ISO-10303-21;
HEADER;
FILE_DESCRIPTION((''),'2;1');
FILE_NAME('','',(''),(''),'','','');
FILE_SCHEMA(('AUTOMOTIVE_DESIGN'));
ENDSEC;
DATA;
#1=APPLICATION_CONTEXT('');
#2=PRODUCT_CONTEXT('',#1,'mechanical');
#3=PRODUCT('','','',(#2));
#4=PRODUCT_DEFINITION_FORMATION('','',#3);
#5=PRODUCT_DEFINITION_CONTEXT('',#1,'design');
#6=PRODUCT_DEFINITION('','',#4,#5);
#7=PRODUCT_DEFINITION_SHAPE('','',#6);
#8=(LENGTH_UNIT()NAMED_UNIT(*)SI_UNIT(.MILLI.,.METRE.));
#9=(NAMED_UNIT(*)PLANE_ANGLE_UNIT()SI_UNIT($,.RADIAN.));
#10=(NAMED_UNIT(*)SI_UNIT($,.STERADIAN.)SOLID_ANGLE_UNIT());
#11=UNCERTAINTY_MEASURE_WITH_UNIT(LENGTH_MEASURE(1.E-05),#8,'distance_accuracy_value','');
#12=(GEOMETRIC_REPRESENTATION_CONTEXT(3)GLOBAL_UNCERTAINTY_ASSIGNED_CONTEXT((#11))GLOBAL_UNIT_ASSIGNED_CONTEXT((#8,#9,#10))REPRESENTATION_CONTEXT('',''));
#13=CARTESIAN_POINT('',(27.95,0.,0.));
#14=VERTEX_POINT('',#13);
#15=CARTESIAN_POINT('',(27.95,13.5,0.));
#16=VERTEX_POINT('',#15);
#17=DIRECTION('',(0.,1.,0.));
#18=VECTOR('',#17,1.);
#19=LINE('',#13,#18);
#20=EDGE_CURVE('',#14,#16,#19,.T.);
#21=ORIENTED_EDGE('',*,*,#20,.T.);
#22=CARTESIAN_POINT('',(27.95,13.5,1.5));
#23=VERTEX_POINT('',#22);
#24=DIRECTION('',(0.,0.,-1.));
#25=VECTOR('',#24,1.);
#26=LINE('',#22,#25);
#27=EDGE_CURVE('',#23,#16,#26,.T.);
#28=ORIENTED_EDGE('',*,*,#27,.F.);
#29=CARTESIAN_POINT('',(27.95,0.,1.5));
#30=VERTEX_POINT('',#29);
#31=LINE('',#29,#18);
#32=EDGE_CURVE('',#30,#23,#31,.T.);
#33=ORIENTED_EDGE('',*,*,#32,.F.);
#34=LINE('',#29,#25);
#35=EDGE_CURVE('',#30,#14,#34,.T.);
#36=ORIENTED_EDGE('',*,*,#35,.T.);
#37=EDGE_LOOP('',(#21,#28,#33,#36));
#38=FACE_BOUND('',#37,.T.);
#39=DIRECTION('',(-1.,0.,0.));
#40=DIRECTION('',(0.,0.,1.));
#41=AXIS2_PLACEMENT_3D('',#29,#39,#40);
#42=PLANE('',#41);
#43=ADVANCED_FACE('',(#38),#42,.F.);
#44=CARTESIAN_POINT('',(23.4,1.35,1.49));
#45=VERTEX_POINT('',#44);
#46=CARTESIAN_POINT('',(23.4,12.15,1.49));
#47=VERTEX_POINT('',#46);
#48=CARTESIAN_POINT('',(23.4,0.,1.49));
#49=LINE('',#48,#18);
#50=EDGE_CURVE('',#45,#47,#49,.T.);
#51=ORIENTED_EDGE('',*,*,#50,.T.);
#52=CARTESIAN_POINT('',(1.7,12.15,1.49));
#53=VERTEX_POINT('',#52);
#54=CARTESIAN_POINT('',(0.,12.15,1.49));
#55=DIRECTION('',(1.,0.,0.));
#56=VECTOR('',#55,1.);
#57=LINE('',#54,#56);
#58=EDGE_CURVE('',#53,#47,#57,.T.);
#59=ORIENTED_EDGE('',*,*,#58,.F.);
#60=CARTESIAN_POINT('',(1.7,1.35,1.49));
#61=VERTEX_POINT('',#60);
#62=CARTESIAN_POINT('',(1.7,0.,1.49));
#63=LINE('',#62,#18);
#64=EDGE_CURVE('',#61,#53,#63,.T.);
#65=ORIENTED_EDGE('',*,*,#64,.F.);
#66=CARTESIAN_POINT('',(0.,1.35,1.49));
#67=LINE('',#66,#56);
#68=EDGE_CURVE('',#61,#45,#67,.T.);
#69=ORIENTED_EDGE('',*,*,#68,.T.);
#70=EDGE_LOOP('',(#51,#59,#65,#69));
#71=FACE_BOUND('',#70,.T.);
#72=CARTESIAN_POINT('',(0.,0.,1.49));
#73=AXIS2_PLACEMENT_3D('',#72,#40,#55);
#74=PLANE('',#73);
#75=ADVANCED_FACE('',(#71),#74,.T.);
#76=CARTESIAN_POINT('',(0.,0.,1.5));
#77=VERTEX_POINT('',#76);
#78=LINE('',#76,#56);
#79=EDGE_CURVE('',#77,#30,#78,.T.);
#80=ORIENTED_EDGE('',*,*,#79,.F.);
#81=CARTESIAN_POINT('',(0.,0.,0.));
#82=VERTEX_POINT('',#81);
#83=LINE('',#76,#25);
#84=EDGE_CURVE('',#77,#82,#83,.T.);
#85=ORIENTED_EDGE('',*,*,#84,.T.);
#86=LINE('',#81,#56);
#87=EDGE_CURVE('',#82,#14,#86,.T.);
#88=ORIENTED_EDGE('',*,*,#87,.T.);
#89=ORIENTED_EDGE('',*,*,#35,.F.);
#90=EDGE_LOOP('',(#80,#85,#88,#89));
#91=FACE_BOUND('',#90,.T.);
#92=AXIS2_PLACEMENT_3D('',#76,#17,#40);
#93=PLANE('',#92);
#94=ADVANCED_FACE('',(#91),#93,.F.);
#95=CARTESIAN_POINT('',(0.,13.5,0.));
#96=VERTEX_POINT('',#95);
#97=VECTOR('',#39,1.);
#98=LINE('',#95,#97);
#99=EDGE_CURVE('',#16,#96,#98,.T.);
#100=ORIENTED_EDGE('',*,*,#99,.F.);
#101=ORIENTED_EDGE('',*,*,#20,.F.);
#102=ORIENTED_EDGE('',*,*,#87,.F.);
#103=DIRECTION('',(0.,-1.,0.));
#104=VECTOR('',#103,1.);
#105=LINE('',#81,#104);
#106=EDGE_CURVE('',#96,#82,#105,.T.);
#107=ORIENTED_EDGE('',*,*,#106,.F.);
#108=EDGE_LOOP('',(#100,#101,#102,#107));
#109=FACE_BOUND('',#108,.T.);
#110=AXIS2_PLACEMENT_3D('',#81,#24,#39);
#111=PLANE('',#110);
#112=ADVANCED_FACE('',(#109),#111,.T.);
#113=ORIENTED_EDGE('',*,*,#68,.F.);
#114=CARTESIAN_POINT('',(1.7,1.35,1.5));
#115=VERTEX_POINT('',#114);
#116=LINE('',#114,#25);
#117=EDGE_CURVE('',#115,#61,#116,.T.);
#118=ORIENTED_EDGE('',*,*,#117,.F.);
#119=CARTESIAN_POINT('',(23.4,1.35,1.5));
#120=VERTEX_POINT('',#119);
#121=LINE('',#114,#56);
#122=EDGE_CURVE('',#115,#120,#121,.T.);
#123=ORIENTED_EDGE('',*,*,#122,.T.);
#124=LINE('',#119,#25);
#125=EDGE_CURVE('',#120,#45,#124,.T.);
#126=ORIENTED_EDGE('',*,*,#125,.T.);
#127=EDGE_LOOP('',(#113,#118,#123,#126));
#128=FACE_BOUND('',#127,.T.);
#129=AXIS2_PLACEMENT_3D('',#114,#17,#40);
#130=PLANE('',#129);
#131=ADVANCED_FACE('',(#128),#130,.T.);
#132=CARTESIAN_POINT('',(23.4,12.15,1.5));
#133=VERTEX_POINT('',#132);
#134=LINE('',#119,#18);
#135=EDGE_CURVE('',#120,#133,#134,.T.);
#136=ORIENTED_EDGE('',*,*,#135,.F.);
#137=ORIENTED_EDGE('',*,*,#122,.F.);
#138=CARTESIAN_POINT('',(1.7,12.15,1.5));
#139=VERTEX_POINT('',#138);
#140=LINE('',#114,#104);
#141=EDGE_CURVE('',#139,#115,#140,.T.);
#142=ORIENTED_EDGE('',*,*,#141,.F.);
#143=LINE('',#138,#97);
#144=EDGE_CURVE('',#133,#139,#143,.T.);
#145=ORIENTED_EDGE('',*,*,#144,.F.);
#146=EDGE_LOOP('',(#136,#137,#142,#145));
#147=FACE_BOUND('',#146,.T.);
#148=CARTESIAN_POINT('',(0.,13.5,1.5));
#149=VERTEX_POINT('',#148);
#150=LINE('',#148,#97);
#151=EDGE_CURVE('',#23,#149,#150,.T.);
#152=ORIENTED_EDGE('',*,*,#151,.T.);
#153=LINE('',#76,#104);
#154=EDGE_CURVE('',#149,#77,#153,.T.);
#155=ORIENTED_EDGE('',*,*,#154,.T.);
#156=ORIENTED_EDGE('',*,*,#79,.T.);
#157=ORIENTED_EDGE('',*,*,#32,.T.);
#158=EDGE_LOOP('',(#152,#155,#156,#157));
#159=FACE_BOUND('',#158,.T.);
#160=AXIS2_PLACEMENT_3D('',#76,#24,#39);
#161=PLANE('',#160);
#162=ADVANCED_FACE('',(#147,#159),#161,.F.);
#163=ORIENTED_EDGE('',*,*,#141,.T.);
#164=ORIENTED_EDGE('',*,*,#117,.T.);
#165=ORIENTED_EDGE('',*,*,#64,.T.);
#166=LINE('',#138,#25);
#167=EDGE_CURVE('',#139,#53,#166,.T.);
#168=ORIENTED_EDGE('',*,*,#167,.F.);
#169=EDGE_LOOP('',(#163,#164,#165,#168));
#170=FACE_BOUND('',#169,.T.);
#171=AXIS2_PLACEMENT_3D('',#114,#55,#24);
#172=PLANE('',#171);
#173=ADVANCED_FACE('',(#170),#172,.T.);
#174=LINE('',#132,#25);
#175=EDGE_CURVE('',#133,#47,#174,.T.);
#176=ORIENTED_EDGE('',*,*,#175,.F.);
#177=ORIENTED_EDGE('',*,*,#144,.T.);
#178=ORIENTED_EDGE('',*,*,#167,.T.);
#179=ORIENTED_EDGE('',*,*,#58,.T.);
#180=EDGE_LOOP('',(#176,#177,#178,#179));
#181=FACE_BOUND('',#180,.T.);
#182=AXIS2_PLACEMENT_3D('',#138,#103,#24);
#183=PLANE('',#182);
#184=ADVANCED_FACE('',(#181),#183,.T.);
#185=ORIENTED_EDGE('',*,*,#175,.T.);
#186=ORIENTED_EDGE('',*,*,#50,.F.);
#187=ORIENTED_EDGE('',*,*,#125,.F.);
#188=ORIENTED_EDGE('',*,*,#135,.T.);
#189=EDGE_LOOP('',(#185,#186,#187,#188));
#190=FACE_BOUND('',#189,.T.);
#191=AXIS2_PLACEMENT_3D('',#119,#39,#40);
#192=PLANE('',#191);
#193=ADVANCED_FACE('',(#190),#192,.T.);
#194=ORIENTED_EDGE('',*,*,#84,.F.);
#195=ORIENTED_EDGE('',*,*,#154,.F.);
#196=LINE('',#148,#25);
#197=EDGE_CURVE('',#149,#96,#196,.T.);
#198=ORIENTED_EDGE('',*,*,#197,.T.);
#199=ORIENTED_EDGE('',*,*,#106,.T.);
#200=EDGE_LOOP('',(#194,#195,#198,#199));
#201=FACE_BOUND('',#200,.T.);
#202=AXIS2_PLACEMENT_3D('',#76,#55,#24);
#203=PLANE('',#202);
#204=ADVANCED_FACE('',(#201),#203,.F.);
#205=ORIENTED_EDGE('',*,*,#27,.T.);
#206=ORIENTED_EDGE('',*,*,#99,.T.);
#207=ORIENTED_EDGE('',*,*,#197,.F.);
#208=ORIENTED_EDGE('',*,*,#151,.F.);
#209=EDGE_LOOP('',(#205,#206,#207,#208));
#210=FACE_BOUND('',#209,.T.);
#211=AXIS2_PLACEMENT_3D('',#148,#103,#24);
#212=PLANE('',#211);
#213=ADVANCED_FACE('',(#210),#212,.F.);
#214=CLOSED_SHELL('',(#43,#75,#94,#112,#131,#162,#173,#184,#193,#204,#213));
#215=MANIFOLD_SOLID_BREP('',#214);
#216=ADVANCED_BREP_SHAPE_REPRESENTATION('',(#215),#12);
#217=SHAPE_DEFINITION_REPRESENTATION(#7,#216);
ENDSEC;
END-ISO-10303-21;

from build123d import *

# Parameters (mm, degrees)
SKETCH_1_W      = 27.95
SKETCH_1_H      = 13.5
SKETCH_1_W_2    = 21.7
SKETCH_1_H_2    = 10.8
EXTRUDE_1_DEPTH = 1.5
SKETCH_1_2_W    = 21.7
SKETCH_1_2_H    = 10.8
EXTRUDE_2_DEPTH = 1.49


with BuildPart() as part:
    # 草图1 → 凸台-拉伸1 (new body)
    with BuildSketch(Plane.XY):
        with Locations((13.975, 6.75)):
            Rectangle(SKETCH_1_W, SKETCH_1_H)
        with Locations((12.55, 6.75)):
            Rectangle(SKETCH_1_W_2, SKETCH_1_H_2, mode=Mode.SUBTRACT)
    extrude(amount=EXTRUDE_1_DEPTH)

    # 草图1<2> → 凸台-拉伸2 (add)
    with BuildSketch(Plane.XY):
        with Locations((12.55, 6.75)):
            Rectangle(SKETCH_1_2_W, SKETCH_1_2_H)
    extrude(amount=EXTRUDE_2_DEPTH)


solid = part.part
